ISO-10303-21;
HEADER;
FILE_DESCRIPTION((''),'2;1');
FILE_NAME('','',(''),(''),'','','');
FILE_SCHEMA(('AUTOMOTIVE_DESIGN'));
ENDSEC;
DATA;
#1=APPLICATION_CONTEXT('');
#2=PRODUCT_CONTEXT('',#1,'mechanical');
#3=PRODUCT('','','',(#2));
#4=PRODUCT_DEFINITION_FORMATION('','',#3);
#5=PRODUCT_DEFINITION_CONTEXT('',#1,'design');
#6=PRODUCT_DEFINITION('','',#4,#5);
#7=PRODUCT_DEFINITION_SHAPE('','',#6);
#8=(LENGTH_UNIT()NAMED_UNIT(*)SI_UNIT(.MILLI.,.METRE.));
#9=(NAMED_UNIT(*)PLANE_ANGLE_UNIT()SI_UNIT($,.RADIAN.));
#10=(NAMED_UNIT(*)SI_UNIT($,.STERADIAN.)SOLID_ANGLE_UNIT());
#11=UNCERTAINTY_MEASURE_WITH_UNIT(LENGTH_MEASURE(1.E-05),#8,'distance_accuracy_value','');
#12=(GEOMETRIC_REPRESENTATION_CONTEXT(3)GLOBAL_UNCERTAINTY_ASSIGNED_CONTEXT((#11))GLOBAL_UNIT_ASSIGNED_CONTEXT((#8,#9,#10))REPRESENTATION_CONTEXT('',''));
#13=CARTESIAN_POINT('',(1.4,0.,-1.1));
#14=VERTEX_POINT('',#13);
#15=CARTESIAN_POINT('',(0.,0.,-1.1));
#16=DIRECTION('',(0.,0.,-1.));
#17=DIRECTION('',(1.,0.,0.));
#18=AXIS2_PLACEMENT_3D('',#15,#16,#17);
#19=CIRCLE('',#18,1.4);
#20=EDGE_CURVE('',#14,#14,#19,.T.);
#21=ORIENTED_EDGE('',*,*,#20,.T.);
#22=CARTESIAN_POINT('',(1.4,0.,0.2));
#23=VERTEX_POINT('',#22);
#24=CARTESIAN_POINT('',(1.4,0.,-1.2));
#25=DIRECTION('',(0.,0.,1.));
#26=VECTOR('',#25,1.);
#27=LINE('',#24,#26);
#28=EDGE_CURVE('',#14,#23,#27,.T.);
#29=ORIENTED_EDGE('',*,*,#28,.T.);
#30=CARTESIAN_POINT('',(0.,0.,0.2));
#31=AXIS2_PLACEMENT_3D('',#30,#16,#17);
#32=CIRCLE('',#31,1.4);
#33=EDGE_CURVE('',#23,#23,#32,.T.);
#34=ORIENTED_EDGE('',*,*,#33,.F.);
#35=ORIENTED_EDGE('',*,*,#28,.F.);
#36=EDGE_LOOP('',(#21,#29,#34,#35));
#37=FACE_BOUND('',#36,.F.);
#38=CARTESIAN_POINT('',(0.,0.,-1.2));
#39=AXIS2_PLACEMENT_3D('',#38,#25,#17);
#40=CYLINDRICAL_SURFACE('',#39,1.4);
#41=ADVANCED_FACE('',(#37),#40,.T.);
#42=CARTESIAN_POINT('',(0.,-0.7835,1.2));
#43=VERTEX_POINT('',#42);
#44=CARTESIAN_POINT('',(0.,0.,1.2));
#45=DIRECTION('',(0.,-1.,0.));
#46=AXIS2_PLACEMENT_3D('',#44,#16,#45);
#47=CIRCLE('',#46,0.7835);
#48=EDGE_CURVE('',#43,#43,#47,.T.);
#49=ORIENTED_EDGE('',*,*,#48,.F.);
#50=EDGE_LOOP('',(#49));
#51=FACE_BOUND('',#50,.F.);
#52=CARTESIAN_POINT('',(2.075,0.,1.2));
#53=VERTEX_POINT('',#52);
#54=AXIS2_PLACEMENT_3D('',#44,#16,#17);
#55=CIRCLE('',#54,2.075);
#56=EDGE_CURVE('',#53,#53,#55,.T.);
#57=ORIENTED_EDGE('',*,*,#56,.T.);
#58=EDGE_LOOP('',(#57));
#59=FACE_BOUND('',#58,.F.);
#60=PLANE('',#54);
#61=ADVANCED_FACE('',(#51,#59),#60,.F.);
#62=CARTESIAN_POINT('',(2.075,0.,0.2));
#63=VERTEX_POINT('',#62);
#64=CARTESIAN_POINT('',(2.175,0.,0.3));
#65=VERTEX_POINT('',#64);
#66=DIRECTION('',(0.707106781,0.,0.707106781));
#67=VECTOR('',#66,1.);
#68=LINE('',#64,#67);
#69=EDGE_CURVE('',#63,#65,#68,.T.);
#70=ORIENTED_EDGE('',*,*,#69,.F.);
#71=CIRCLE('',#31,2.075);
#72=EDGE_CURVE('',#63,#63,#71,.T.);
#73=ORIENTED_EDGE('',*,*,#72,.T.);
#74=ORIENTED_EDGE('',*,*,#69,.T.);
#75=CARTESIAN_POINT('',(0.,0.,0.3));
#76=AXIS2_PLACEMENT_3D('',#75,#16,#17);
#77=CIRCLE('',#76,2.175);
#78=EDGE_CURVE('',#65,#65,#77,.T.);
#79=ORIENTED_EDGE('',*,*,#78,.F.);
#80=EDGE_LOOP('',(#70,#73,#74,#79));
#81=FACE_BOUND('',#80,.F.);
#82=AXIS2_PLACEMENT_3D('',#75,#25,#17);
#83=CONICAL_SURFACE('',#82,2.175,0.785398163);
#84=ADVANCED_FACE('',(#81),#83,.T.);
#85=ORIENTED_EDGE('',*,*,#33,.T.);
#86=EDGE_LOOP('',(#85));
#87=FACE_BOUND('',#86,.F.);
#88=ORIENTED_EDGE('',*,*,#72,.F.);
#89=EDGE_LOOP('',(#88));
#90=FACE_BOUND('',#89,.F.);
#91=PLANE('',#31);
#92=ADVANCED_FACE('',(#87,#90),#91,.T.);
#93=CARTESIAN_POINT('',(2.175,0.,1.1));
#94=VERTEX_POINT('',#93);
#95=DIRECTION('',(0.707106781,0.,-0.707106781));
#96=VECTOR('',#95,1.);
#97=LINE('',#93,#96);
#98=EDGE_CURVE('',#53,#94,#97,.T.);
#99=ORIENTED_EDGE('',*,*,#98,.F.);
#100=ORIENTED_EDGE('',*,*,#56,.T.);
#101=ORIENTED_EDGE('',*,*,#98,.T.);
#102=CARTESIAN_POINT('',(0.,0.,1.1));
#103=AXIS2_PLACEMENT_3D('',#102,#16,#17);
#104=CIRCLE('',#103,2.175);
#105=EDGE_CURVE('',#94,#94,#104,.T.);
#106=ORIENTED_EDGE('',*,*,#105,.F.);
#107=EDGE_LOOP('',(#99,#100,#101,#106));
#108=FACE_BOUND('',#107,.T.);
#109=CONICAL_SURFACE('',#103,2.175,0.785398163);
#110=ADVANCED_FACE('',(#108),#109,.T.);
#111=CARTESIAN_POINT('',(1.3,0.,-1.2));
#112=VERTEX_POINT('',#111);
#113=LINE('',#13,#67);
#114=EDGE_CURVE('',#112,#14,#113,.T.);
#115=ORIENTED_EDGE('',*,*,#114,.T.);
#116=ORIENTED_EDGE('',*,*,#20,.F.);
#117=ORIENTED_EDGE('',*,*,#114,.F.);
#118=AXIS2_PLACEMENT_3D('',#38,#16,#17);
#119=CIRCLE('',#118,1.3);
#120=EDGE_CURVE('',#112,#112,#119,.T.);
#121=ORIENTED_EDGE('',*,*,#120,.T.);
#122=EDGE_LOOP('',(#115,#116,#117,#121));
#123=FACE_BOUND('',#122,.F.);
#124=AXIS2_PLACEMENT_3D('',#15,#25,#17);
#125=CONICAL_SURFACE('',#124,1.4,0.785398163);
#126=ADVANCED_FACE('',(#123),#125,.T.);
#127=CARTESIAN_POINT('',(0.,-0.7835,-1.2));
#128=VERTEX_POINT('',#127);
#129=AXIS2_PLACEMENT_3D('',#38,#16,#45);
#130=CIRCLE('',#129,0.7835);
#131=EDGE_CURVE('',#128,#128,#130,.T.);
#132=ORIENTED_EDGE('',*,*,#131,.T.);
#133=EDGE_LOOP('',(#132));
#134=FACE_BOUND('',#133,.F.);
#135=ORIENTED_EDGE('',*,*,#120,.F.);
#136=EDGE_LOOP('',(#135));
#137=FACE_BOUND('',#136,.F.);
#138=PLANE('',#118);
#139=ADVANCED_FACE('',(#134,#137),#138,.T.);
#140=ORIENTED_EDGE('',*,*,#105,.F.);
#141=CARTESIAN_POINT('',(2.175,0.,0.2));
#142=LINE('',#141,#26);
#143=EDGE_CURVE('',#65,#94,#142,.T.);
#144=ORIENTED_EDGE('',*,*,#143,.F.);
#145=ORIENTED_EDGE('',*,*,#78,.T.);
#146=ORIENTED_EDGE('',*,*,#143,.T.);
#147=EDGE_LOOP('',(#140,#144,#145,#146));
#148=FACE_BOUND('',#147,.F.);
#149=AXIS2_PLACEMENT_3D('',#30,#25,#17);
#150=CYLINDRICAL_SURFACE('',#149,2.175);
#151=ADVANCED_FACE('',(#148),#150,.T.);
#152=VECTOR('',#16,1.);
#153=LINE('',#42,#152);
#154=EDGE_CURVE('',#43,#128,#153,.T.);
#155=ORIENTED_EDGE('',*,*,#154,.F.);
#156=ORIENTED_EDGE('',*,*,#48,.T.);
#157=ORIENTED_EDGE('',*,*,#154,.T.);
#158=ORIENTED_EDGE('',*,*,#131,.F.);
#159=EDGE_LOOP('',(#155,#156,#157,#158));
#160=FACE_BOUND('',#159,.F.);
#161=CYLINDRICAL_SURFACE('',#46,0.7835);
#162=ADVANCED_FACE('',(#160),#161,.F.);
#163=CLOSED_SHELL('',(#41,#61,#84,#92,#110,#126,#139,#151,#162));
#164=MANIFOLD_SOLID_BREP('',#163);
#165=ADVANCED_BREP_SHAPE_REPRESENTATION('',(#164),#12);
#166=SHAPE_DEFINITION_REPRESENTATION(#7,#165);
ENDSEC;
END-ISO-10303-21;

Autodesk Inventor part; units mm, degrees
ref_plane "YZ Plane" through (0, 0, 0) normal (1, 0, 0) x (0, 1, 0)
ref_plane "XZ Plane" through (0, 0, 0) normal (0, 1, 0) x (-1, 0, 0)
ref_plane "XY Plane" through (0, 0, 0) normal (0, 0, 1) x (1, 0, 0)
sketch "Sketch1" plane through (0, 0, 0) normal (0, 1, 0) x (-1, 0, 0)
  line L0 (0, 1.2) -> (0, -1.2)
  line L1 (0, -1.2) -> (-1.4, -1.2)
  line L2 (-1.4, -1.2) -> (-1.4, 0.2)
  line L3 (-1.4, 0.2) -> (-2.175, 0.2)
  line L4 (-2.175, 0.2) -> (-2.175, 1.2)
  line L5 (-2.175, 1.2) -> (0, 1.2)
  point P0 (0, 0)
  point P1 (0, 0)
  dimension "d1" = 1
  dimension "d2" = 1.4
  dimension "d3" = 2.8
  dimension "d4" = 4.35
revolve "Revolution1" add sketch "Sketch1" angle 360 about axis through (0, 0, 1.2) along (0, 0, -1)
hole "Hole1" at (0, 0, 1.2) direction (0, 0, -1) diameter 1.567 end through all thread size "M2x0.4" class "6H" standard "ANSI Metric M Profile"
chamfer "Chamfer1" distance 0.1 angle 45 3 edges at (-2.175, 0, 1.2) (-2.175, 0, 0.2) (-1.4, 0, -1.2)
properties part number "Nut_SMD_M2x0.4_1mm" material "Steel, Mild"
